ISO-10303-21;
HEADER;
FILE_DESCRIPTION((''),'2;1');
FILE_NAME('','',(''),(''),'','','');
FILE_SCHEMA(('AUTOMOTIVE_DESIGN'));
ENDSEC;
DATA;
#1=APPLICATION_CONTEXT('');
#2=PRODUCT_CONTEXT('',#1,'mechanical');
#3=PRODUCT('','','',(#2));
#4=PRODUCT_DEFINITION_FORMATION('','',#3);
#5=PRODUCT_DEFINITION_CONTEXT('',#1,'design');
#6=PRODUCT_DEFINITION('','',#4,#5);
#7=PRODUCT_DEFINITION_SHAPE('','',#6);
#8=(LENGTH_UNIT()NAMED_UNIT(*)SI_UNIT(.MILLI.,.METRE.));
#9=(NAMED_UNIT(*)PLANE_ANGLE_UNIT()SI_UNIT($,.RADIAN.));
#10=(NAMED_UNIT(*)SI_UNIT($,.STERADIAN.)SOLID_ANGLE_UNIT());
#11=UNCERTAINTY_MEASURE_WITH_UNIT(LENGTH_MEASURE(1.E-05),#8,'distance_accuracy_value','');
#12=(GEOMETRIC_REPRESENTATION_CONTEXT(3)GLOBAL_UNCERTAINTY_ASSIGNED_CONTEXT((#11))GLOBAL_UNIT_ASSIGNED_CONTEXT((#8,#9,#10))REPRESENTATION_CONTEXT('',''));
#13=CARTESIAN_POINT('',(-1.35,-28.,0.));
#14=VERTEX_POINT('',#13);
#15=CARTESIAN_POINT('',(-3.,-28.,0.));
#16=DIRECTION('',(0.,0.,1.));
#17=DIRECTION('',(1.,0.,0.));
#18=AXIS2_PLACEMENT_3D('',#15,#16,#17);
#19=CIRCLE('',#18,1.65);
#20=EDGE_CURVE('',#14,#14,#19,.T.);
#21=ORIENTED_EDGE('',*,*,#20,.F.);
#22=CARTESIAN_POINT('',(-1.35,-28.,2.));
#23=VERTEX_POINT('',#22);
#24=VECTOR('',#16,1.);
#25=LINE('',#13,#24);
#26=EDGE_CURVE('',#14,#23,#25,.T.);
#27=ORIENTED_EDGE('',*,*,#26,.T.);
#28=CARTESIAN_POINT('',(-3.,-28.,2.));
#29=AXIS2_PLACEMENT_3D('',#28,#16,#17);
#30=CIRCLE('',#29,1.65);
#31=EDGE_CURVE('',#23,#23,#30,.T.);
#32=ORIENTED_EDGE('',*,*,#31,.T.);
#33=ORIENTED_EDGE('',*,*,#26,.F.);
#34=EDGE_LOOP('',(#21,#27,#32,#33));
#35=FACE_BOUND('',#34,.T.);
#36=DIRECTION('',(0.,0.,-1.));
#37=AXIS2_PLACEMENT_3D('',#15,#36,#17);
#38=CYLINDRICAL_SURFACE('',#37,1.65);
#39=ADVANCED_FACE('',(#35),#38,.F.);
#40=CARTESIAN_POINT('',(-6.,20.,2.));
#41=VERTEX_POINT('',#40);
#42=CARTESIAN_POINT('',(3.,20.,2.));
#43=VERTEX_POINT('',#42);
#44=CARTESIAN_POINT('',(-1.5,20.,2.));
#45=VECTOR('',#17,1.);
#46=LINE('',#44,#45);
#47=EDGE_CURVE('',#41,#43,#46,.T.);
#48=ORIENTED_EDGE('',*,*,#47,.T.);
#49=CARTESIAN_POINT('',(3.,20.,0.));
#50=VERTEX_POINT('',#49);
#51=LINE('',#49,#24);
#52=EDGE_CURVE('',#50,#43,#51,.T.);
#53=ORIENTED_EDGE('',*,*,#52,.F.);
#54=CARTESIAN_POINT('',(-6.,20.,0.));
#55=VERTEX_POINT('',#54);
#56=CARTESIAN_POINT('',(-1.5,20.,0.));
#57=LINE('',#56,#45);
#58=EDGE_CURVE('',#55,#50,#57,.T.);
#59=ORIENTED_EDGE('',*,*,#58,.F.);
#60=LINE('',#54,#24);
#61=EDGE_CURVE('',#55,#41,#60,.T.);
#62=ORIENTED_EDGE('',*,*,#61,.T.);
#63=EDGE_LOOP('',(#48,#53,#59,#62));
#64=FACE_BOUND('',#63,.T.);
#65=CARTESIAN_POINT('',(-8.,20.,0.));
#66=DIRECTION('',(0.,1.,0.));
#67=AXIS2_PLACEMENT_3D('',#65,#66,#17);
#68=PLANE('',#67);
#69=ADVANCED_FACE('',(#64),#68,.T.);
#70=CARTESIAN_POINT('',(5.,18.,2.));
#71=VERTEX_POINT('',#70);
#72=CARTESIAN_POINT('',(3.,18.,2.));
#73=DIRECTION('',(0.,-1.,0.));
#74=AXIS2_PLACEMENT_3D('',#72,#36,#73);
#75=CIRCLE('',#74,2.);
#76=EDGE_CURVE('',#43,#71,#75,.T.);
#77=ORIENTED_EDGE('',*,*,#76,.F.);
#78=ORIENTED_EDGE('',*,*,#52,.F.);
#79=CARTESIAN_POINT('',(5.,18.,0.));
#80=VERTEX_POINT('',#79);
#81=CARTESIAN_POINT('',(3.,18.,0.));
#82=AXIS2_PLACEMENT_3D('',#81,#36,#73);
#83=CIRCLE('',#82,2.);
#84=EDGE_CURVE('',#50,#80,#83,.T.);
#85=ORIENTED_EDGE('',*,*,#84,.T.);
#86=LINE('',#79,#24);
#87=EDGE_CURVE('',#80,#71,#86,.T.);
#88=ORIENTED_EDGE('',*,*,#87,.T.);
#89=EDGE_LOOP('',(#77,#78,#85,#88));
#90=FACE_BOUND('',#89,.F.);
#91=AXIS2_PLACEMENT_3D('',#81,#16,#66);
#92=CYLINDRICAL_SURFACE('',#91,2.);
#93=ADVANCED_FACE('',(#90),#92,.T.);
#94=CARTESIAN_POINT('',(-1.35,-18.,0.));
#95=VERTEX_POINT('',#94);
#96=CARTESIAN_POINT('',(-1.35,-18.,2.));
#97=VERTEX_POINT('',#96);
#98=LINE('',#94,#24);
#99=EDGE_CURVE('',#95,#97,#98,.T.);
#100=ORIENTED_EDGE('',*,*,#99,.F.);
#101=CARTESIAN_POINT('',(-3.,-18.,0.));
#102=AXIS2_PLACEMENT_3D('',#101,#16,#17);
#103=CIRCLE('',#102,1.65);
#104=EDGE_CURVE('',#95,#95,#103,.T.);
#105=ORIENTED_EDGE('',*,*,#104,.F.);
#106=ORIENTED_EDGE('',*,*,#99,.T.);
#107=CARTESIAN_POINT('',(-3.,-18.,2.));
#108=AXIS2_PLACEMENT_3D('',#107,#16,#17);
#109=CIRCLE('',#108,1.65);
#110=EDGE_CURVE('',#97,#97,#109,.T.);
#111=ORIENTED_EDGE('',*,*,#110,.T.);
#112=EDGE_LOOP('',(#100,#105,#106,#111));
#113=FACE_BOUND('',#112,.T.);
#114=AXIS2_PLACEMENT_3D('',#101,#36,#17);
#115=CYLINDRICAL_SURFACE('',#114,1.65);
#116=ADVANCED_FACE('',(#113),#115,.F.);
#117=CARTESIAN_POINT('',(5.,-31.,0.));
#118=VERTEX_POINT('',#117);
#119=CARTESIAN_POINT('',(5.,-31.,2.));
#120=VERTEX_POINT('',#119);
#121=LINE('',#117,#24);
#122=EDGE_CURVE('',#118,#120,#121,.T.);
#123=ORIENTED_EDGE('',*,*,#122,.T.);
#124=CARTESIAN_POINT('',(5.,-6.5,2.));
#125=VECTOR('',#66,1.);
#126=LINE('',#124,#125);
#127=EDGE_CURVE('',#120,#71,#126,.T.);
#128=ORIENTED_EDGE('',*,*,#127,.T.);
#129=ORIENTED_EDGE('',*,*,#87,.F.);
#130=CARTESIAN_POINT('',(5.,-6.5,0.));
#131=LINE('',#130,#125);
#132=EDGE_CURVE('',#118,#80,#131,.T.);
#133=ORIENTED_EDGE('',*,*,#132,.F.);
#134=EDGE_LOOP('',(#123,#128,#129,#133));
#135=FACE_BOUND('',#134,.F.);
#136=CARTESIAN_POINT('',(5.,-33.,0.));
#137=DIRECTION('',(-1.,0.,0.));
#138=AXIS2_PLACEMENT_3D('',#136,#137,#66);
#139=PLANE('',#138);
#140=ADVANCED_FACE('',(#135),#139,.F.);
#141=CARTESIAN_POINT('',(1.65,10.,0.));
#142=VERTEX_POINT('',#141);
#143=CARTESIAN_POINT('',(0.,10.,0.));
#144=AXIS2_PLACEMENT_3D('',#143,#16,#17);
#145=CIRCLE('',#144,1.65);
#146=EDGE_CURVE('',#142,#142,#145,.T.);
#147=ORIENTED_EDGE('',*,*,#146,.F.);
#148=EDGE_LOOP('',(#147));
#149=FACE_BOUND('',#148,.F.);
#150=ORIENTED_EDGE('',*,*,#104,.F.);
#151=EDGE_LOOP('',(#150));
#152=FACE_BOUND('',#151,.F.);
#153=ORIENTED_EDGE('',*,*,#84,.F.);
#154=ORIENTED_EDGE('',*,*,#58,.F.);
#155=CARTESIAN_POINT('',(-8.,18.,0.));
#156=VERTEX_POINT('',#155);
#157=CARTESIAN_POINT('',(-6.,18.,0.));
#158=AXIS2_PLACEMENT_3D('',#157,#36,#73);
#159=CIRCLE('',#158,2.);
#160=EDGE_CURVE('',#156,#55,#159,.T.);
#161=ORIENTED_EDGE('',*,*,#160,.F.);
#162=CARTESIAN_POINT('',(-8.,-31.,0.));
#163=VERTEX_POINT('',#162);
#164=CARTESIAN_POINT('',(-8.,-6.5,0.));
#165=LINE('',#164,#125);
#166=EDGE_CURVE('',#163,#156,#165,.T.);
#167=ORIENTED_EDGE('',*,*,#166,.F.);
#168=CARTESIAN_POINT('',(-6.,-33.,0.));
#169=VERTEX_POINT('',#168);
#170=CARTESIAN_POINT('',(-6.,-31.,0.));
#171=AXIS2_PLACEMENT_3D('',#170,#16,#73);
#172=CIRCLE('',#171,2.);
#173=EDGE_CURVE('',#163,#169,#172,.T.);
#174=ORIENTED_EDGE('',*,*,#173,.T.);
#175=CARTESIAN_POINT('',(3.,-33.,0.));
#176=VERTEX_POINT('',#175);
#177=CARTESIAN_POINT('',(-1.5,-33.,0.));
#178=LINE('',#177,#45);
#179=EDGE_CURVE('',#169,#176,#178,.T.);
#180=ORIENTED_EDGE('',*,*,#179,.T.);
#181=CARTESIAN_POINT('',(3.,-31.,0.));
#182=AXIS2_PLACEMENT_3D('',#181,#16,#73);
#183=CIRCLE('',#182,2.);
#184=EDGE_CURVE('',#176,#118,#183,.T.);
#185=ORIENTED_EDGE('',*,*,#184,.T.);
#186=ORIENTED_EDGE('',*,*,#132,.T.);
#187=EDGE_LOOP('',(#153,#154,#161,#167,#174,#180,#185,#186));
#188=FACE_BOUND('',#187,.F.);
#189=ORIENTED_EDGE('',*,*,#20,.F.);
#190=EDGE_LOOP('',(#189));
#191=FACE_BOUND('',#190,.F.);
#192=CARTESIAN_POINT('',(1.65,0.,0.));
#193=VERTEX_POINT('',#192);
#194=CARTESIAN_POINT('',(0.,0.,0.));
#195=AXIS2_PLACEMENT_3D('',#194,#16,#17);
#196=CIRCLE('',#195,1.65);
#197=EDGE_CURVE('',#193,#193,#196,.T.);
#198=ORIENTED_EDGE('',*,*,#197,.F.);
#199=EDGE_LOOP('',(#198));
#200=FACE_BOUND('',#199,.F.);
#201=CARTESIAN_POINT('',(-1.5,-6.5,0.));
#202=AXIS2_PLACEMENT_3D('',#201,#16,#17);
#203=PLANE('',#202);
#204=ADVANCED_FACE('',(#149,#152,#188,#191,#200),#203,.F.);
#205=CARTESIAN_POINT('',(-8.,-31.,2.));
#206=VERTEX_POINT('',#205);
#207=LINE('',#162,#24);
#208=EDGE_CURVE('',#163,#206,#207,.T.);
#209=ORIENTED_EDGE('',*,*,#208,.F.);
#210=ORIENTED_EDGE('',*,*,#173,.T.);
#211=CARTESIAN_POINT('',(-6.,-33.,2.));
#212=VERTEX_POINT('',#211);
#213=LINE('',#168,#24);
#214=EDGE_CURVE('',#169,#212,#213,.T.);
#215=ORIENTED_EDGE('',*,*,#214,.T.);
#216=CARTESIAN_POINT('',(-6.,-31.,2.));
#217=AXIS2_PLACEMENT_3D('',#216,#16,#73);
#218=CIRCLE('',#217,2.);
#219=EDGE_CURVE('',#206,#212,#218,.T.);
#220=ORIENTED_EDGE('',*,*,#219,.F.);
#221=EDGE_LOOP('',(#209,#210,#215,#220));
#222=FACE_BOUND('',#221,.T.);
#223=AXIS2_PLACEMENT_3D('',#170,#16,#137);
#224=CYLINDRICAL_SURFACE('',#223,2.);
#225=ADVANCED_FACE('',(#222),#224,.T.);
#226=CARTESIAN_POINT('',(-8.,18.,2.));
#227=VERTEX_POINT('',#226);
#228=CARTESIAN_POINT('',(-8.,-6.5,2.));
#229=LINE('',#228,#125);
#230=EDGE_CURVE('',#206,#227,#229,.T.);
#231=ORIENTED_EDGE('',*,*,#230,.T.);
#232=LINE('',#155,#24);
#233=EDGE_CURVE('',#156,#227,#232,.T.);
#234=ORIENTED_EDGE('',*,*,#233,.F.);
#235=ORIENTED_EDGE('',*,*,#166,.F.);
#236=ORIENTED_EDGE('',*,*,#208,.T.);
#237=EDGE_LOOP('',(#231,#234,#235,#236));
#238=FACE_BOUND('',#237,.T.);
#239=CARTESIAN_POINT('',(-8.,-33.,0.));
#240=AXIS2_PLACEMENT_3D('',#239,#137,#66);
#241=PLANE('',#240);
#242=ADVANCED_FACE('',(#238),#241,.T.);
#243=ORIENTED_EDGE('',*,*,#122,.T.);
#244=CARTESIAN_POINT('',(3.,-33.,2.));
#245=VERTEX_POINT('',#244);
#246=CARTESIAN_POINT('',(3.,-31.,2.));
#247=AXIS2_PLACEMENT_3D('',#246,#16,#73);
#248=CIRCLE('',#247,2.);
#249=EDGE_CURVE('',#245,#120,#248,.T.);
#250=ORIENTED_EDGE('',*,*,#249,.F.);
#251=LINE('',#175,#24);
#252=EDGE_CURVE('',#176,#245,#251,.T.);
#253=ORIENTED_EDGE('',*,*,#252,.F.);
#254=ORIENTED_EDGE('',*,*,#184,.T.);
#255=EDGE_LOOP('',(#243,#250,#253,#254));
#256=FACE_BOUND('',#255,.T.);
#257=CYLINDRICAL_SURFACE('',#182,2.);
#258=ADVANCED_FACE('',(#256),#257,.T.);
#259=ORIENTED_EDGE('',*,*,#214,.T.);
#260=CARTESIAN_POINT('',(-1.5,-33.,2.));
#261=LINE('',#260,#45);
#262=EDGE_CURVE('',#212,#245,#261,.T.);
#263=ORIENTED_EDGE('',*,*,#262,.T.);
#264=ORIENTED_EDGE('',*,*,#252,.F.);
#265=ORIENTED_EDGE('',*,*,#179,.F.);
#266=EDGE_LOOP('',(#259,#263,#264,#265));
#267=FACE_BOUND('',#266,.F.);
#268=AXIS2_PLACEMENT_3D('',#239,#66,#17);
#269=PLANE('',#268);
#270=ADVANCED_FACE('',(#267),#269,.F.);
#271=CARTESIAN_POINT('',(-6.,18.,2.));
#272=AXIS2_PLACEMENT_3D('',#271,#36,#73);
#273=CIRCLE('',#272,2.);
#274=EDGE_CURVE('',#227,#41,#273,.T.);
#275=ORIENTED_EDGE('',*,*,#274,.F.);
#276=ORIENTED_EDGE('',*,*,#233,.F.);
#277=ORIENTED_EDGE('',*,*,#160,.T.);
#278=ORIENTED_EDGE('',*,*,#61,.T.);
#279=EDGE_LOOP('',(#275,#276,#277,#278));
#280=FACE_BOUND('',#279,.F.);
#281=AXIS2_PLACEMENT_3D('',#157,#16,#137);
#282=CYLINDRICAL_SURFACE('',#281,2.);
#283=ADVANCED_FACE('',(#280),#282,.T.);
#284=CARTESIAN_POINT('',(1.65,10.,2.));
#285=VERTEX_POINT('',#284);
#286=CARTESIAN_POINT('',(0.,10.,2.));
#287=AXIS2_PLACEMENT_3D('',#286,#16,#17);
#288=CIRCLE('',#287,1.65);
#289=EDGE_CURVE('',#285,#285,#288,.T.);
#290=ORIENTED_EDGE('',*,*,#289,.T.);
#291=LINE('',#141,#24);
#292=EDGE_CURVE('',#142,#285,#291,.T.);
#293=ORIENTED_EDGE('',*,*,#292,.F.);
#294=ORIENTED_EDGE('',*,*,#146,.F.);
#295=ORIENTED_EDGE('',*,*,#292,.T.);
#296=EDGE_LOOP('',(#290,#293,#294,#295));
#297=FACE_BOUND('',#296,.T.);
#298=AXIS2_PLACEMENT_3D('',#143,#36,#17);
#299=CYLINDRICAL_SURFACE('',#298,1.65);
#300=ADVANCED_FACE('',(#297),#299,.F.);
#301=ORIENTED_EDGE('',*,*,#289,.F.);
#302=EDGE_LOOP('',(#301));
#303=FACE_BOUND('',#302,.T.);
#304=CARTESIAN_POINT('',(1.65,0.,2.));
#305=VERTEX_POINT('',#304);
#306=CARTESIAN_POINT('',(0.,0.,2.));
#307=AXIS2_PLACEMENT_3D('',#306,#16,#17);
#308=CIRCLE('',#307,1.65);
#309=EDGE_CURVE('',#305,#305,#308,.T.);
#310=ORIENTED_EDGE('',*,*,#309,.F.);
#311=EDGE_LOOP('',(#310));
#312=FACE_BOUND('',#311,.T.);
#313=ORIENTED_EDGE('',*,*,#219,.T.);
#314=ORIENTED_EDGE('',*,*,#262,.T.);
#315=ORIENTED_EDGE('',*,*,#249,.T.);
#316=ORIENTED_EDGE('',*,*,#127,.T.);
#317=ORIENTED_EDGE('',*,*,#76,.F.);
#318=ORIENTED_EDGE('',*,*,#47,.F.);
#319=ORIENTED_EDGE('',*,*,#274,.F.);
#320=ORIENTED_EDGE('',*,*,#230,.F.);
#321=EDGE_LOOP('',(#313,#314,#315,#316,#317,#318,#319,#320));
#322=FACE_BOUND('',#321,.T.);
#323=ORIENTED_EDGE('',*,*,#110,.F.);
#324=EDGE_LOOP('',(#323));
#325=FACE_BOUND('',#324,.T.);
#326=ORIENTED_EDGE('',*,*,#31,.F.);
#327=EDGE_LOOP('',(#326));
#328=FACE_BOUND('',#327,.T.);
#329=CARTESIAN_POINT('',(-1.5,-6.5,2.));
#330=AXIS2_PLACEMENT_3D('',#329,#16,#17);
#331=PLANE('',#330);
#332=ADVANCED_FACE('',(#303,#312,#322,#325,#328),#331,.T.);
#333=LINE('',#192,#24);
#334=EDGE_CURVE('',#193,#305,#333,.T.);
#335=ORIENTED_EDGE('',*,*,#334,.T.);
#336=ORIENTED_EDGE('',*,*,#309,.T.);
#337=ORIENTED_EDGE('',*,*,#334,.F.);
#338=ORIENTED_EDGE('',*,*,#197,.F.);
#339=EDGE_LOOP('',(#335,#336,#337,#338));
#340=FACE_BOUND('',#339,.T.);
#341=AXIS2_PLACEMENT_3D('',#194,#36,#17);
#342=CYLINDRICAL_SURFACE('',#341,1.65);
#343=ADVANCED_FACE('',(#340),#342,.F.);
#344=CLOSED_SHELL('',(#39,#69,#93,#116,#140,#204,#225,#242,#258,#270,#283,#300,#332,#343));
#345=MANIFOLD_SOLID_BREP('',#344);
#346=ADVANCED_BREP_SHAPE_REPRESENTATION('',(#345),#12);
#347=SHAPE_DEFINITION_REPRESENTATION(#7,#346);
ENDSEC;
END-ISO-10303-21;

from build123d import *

# Parameters (mm, degrees)
SKETCH_W  = 13
SKETCH_H  = 53
SKETCH_R  = 1.65
PAD_DEPTH = 2
FILLET_R  = 2


with BuildPart() as part:
    # Sketch → Pad (new body)
    with BuildSketch(Plane.XY):
        with Locations((-1.5, -6.5)):
            Rectangle(SKETCH_W, SKETCH_H)
        Circle(SKETCH_R, mode=Mode.SUBTRACT)
        with Locations((0, 10)):
            Circle(SKETCH_R, mode=Mode.SUBTRACT)
        with Locations((-3, -28)):
            Circle(SKETCH_R, mode=Mode.SUBTRACT)
        with Locations((-3, -18)):
            Circle(SKETCH_R, mode=Mode.SUBTRACT)
    extrude(amount=PAD_DEPTH)

    # Fillet
    fillet_edges = [part.edges().sort_by_distance(p)[0] for p in [
        (5, -33, 1),
        (-8, -33, 1),
        (5, 20, 1),
        (-8, 20, 1),
    ]]
    fillet(fillet_edges, radius=FILLET_R)


solid = part.part
